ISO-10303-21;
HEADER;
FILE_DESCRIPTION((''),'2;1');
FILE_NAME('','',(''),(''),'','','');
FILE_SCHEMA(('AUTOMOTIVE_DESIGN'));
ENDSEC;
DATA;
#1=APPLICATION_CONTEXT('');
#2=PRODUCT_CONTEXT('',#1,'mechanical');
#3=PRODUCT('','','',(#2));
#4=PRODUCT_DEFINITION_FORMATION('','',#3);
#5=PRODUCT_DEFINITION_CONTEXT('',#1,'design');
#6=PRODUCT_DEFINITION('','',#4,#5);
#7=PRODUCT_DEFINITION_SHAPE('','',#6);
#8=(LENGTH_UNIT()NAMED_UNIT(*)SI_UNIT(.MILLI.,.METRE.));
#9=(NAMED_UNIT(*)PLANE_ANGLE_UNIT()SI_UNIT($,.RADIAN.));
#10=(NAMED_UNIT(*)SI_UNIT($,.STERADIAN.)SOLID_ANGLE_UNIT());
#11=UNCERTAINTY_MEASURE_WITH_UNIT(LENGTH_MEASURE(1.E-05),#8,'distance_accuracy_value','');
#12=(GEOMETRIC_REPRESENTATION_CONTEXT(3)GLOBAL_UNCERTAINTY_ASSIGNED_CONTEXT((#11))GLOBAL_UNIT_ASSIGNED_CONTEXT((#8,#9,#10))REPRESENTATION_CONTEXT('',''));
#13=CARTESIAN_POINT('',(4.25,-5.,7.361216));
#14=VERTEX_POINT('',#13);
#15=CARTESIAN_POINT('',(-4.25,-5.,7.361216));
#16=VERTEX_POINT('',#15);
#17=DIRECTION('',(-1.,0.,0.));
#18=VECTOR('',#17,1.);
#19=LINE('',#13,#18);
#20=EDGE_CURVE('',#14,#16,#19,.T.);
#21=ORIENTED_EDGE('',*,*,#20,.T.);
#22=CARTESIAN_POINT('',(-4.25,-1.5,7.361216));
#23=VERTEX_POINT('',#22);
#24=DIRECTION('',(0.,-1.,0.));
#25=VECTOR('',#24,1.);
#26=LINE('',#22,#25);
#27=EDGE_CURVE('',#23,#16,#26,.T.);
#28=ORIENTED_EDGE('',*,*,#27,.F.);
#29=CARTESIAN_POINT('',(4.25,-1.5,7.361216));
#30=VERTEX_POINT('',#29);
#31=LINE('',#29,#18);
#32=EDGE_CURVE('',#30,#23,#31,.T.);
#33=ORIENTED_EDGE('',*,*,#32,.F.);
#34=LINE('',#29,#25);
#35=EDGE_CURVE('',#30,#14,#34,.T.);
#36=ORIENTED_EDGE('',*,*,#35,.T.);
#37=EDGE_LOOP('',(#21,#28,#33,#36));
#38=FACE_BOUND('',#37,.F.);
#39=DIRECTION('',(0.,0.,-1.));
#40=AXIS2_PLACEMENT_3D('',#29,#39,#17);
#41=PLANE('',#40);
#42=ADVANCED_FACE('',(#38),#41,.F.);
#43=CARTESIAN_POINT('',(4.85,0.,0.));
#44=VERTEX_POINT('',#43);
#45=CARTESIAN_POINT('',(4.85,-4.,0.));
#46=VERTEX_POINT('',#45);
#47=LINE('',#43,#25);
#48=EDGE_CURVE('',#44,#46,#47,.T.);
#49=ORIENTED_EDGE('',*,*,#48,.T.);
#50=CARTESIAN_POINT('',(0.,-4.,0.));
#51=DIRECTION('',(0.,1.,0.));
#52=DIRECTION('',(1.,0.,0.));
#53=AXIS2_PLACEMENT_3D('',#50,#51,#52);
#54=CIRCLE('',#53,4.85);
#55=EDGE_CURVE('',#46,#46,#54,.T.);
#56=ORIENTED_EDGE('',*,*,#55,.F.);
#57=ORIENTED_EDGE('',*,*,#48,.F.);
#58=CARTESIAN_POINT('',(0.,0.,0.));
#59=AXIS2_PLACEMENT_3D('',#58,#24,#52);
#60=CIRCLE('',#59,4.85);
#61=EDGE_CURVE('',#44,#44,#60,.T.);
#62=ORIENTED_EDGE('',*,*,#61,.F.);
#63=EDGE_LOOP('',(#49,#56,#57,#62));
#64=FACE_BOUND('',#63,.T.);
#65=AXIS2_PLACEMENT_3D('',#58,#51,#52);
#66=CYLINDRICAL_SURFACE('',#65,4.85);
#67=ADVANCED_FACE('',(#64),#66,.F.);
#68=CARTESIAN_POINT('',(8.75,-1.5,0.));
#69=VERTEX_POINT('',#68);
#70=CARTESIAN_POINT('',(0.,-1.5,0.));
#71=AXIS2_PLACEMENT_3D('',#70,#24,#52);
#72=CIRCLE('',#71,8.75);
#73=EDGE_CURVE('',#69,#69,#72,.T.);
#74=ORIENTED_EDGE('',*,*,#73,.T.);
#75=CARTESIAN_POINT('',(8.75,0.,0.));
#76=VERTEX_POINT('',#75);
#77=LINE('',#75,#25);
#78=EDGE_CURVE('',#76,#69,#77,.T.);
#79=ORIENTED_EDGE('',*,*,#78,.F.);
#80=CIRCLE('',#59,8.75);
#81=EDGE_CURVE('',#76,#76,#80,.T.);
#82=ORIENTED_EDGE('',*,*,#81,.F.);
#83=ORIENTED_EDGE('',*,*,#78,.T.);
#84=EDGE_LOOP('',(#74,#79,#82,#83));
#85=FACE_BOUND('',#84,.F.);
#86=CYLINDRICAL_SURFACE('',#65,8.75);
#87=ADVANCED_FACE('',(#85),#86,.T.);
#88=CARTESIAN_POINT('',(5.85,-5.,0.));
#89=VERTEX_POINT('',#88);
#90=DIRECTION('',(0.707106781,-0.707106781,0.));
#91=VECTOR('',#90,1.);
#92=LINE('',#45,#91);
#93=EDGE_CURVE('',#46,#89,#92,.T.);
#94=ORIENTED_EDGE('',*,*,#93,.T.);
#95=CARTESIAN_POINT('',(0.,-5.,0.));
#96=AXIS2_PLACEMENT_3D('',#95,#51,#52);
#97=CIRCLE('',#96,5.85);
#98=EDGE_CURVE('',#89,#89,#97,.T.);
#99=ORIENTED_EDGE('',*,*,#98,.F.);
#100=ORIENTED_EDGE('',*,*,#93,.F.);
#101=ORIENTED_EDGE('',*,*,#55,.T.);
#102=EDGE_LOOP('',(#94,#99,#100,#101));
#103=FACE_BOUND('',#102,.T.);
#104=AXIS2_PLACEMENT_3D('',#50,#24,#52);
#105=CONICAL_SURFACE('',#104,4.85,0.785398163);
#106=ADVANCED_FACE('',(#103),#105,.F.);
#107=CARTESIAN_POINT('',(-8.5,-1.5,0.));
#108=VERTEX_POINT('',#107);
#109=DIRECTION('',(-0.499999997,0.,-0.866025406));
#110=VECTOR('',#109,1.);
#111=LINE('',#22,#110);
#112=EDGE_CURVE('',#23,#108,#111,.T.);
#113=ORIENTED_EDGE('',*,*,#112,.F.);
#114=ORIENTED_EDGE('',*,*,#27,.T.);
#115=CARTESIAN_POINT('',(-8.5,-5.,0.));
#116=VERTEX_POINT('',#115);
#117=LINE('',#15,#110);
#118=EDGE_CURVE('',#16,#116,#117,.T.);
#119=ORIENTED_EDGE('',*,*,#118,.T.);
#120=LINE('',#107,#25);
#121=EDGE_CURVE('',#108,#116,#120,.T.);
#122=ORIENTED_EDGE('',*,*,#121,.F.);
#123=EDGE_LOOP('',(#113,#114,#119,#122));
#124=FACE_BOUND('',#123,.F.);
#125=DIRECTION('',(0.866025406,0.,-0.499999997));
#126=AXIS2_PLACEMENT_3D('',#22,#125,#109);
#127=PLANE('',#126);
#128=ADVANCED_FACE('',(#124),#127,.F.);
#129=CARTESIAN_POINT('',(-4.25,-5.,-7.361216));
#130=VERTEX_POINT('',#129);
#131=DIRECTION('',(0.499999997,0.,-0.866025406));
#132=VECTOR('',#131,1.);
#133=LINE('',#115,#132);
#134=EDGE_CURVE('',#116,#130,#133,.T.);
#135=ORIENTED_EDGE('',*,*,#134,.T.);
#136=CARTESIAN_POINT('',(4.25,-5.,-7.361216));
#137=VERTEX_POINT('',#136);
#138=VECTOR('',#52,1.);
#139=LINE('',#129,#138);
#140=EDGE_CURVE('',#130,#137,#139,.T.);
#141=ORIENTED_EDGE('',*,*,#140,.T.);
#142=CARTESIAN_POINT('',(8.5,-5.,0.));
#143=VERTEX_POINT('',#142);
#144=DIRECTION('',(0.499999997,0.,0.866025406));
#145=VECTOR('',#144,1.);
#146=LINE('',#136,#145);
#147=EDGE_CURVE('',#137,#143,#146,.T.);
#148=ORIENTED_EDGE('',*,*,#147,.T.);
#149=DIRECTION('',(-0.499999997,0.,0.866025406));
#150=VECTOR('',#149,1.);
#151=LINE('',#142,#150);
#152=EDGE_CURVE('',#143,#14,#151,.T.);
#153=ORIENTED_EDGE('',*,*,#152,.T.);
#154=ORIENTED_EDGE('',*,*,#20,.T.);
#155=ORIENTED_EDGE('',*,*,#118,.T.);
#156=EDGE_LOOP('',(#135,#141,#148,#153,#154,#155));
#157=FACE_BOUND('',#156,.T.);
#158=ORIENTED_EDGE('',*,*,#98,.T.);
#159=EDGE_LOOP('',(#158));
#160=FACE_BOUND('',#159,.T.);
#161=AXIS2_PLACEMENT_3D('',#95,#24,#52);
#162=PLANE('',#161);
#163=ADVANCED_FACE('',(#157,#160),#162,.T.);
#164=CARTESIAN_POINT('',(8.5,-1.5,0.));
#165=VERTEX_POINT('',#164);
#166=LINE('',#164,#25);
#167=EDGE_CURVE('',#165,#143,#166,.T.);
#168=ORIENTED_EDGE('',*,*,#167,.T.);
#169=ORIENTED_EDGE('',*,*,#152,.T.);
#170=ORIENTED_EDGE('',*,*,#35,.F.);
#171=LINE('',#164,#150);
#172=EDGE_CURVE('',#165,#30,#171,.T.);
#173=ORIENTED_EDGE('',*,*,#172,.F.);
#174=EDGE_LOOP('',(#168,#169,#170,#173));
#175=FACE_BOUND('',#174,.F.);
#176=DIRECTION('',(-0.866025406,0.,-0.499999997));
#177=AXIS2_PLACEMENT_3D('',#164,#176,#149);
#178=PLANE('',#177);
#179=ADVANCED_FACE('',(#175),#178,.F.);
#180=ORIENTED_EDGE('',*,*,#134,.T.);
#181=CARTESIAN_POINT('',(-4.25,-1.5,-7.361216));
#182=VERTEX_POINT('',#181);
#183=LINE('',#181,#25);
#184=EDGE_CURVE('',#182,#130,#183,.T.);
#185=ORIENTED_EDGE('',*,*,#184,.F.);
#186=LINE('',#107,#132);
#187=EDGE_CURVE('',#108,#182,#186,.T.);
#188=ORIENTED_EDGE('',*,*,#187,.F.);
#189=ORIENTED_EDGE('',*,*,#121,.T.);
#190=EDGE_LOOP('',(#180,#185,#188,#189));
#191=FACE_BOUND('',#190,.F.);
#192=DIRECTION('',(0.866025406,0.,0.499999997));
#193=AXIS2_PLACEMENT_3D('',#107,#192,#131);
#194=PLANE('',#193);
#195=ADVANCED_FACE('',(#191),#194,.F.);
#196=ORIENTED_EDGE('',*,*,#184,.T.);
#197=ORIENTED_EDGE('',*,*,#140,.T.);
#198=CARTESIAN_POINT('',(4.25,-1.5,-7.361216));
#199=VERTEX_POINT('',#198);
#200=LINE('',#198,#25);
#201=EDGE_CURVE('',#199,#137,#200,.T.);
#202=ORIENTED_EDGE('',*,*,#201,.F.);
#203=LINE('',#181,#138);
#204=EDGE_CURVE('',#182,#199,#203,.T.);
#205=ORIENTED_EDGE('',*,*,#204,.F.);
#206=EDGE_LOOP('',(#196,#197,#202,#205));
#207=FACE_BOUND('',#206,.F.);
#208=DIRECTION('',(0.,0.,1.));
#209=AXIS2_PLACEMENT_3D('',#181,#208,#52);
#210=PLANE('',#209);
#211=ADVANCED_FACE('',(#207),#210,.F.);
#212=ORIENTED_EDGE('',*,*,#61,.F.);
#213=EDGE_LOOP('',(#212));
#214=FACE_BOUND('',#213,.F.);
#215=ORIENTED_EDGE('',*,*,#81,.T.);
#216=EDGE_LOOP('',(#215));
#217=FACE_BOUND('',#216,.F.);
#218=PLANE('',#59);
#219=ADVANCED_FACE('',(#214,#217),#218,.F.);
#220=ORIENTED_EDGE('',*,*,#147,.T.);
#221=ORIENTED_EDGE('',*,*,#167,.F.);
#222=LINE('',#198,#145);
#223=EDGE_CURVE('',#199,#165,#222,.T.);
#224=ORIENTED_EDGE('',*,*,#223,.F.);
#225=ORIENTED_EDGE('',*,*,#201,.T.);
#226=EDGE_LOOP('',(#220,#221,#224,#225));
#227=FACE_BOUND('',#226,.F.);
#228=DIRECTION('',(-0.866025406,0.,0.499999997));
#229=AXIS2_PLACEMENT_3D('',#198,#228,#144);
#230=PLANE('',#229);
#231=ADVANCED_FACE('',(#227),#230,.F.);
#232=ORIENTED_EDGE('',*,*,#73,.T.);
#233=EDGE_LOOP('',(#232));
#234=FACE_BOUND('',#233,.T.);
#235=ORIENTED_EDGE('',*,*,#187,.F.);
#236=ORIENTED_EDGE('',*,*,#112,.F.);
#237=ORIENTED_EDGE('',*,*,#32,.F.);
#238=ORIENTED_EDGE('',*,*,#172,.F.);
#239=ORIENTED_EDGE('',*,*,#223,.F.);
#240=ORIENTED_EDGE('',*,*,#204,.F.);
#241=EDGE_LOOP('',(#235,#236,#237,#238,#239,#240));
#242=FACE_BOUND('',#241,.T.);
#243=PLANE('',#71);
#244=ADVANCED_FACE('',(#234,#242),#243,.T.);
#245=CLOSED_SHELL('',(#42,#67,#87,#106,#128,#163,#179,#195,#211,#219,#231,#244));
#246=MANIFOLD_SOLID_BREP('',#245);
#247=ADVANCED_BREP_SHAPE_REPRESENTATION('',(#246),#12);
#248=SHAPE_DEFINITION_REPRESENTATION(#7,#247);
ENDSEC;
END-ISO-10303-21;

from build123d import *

# Parameters (mm, degrees)
SKETCH_R     = 8.75
PAD_DEPTH    = 1.5
PAD001_DEPTH = 3.5
SKETCH002_R  = 4.85
POCKET_DEPTH = 7
CHAMFER_SIZE = 1


with BuildPart() as part:
    # Sketch → Pad (new body)
    with BuildSketch(Plane.XZ):
        Circle(SKETCH_R)
    extrude(amount=PAD_DEPTH)

    # Sketch001 (on Face3 of Pad) → Pad001 (join)
    with BuildSketch(Plane.XZ.offset(1.5)):
        Polygon((8.5, 0), (4.25, 7.361216), (-4.25, 7.361216), (-8.5, 0), (-4.25, -7.361216), (4.25, -7.361216), align=None)
    extrude(amount=PAD001_DEPTH)

    # Sketch002 → Pocket (cut)
    with BuildSketch(Plane.XZ):
        Circle(SKETCH002_R)
    extrude(amount=POCKET_DEPTH, mode=Mode.SUBTRACT)

    # Chamfer
    chamfer_edges = [part.edges().sort_by_distance(p)[0] for p in [
        (-4.85, -5, 0),
    ]]
    chamfer(chamfer_edges, length=CHAMFER_SIZE)


solid = part.part
